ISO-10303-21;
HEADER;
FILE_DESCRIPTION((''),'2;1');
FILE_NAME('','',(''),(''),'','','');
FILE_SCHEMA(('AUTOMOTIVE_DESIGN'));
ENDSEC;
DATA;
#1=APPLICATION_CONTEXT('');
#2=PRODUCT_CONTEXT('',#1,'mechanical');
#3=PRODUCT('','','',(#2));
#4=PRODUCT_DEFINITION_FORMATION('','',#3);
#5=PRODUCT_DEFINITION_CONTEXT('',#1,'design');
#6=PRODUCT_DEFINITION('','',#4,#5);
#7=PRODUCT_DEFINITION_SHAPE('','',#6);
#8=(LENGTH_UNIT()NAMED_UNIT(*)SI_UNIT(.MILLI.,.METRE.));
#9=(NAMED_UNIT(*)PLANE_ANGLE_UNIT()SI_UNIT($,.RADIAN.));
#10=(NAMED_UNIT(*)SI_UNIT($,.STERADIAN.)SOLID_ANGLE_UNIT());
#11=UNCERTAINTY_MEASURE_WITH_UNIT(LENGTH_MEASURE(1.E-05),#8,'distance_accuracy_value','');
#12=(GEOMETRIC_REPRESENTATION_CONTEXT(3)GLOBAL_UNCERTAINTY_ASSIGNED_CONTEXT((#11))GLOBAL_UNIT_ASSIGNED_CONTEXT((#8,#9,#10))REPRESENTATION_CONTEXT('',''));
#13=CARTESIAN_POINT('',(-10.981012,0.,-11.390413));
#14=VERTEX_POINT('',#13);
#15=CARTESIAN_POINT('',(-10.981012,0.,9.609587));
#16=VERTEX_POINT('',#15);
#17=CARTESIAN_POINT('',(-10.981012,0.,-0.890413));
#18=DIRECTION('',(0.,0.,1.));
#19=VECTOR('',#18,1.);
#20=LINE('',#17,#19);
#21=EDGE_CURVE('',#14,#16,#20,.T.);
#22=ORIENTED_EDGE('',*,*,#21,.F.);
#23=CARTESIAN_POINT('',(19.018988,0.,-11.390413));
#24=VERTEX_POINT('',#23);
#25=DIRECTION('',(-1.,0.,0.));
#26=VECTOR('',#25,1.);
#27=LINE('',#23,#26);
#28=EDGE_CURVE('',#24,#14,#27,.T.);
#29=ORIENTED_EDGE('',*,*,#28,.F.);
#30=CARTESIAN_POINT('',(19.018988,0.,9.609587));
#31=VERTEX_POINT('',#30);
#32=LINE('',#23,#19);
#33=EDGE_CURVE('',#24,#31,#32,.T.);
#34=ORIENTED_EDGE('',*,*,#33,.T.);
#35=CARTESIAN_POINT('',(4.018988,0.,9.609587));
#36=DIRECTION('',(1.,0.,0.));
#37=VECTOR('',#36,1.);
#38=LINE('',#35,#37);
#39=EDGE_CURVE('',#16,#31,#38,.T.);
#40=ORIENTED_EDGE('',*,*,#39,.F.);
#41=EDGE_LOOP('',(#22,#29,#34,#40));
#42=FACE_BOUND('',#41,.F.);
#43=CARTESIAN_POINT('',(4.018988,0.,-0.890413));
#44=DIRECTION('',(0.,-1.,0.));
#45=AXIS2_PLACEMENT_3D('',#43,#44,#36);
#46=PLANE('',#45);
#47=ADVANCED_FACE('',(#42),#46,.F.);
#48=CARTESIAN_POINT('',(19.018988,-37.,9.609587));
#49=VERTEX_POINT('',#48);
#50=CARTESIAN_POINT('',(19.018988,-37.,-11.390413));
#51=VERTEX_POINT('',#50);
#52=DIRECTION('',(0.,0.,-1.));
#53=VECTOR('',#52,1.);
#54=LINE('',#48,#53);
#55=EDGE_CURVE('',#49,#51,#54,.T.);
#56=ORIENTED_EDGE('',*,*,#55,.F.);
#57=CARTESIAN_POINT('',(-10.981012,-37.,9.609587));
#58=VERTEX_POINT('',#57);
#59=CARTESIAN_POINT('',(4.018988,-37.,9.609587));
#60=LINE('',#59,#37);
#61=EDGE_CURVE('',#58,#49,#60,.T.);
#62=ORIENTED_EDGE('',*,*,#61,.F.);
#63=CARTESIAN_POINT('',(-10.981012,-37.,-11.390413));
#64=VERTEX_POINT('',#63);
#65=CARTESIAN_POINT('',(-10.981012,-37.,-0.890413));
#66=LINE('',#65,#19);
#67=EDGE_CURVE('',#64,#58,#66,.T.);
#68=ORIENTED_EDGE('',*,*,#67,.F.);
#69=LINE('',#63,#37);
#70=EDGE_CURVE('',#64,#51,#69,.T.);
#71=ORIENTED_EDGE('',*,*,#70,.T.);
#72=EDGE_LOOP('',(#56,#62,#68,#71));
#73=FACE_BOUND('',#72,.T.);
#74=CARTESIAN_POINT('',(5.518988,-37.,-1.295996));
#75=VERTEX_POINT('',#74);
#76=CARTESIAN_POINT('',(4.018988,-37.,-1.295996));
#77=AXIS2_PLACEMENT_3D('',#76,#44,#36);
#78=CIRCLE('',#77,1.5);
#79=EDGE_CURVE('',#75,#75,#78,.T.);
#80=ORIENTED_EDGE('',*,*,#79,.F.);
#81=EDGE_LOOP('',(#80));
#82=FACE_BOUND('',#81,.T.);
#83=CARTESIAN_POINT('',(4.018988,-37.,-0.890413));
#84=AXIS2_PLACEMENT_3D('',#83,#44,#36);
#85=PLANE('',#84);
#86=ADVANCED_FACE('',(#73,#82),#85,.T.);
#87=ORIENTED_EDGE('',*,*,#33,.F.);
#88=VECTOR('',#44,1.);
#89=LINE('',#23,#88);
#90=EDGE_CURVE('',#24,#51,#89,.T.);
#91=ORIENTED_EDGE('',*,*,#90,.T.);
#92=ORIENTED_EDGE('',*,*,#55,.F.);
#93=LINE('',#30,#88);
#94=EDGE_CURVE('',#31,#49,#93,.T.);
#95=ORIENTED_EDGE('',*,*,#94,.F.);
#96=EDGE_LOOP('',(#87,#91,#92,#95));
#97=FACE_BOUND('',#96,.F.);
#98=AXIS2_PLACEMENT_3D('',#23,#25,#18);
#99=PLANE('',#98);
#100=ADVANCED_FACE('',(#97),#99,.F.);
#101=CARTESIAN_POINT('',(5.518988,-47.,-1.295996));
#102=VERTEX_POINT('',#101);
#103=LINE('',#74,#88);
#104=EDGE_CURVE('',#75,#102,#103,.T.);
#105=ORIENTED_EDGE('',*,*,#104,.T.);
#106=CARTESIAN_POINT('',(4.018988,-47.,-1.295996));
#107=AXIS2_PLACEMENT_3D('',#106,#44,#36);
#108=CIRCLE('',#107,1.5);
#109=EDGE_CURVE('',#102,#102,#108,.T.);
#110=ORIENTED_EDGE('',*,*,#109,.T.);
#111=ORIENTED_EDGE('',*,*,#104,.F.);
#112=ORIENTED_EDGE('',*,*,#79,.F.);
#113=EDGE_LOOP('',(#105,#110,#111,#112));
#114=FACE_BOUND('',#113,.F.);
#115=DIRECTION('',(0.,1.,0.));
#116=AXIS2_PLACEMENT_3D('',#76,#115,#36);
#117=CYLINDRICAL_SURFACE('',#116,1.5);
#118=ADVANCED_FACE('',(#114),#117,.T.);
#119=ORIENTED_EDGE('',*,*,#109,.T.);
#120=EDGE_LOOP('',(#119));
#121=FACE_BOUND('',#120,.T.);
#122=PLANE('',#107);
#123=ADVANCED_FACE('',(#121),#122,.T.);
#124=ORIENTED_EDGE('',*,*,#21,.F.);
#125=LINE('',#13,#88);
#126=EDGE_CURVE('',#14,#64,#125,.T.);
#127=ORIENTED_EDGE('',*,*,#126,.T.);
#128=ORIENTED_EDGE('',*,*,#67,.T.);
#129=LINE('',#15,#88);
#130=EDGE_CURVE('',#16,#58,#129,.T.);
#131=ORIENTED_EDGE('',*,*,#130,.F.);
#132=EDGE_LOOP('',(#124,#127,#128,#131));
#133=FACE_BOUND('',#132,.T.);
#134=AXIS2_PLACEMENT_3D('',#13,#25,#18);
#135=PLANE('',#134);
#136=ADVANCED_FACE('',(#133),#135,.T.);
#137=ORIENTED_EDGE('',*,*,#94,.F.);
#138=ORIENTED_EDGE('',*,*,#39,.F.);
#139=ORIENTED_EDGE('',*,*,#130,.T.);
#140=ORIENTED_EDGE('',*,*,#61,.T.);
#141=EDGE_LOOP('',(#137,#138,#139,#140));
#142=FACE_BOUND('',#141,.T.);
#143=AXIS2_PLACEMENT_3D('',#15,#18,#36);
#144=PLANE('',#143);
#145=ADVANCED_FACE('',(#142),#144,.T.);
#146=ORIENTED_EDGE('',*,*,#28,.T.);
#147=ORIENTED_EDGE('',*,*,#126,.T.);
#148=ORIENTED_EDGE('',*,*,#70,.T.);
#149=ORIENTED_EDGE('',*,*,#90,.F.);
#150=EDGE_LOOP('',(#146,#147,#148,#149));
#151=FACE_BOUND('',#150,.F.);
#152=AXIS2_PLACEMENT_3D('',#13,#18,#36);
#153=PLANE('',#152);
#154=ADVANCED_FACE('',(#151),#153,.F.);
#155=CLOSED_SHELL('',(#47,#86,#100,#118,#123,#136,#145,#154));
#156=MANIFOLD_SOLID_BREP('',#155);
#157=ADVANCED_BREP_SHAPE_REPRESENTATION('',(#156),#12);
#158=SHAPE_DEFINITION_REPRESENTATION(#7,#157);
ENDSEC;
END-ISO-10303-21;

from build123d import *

# Parameters (mm, degrees)
F0_W     = 30
F0_H     = 21
F1_DEPTH = 37
F2_W     = 5
F2_H     = 5
F3_DEPTH = 37
F4_R     = 1.5
F5_DEPTH = 10


with BuildPart() as f1:
    # F0 (on Front) → F1 (new body)
    with BuildSketch(Plane.XZ):
        with Locations((4.018988, -0.890413)):
            Rectangle(F0_W, F0_H)
    extrude(amount=F1_DEPTH)

    # F2 (on face) → F3 (join)
    with BuildSketch(Plane(origin=(0, 0, 0), x_dir=(-1, 0, 0), z_dir=(0, 1, 0))):
        with Locations((-16.518988, -8.890413)):
            Rectangle(F2_W, F2_H)
    extrude(amount=-F3_DEPTH)

    # F4 (on face) → F5 (join)
    with BuildSketch(Plane.XZ.offset(37)):
        with Locations((4.018988, -1.295996)):
            Circle(F4_R)
    extrude(amount=F5_DEPTH)


solid = f1.part
